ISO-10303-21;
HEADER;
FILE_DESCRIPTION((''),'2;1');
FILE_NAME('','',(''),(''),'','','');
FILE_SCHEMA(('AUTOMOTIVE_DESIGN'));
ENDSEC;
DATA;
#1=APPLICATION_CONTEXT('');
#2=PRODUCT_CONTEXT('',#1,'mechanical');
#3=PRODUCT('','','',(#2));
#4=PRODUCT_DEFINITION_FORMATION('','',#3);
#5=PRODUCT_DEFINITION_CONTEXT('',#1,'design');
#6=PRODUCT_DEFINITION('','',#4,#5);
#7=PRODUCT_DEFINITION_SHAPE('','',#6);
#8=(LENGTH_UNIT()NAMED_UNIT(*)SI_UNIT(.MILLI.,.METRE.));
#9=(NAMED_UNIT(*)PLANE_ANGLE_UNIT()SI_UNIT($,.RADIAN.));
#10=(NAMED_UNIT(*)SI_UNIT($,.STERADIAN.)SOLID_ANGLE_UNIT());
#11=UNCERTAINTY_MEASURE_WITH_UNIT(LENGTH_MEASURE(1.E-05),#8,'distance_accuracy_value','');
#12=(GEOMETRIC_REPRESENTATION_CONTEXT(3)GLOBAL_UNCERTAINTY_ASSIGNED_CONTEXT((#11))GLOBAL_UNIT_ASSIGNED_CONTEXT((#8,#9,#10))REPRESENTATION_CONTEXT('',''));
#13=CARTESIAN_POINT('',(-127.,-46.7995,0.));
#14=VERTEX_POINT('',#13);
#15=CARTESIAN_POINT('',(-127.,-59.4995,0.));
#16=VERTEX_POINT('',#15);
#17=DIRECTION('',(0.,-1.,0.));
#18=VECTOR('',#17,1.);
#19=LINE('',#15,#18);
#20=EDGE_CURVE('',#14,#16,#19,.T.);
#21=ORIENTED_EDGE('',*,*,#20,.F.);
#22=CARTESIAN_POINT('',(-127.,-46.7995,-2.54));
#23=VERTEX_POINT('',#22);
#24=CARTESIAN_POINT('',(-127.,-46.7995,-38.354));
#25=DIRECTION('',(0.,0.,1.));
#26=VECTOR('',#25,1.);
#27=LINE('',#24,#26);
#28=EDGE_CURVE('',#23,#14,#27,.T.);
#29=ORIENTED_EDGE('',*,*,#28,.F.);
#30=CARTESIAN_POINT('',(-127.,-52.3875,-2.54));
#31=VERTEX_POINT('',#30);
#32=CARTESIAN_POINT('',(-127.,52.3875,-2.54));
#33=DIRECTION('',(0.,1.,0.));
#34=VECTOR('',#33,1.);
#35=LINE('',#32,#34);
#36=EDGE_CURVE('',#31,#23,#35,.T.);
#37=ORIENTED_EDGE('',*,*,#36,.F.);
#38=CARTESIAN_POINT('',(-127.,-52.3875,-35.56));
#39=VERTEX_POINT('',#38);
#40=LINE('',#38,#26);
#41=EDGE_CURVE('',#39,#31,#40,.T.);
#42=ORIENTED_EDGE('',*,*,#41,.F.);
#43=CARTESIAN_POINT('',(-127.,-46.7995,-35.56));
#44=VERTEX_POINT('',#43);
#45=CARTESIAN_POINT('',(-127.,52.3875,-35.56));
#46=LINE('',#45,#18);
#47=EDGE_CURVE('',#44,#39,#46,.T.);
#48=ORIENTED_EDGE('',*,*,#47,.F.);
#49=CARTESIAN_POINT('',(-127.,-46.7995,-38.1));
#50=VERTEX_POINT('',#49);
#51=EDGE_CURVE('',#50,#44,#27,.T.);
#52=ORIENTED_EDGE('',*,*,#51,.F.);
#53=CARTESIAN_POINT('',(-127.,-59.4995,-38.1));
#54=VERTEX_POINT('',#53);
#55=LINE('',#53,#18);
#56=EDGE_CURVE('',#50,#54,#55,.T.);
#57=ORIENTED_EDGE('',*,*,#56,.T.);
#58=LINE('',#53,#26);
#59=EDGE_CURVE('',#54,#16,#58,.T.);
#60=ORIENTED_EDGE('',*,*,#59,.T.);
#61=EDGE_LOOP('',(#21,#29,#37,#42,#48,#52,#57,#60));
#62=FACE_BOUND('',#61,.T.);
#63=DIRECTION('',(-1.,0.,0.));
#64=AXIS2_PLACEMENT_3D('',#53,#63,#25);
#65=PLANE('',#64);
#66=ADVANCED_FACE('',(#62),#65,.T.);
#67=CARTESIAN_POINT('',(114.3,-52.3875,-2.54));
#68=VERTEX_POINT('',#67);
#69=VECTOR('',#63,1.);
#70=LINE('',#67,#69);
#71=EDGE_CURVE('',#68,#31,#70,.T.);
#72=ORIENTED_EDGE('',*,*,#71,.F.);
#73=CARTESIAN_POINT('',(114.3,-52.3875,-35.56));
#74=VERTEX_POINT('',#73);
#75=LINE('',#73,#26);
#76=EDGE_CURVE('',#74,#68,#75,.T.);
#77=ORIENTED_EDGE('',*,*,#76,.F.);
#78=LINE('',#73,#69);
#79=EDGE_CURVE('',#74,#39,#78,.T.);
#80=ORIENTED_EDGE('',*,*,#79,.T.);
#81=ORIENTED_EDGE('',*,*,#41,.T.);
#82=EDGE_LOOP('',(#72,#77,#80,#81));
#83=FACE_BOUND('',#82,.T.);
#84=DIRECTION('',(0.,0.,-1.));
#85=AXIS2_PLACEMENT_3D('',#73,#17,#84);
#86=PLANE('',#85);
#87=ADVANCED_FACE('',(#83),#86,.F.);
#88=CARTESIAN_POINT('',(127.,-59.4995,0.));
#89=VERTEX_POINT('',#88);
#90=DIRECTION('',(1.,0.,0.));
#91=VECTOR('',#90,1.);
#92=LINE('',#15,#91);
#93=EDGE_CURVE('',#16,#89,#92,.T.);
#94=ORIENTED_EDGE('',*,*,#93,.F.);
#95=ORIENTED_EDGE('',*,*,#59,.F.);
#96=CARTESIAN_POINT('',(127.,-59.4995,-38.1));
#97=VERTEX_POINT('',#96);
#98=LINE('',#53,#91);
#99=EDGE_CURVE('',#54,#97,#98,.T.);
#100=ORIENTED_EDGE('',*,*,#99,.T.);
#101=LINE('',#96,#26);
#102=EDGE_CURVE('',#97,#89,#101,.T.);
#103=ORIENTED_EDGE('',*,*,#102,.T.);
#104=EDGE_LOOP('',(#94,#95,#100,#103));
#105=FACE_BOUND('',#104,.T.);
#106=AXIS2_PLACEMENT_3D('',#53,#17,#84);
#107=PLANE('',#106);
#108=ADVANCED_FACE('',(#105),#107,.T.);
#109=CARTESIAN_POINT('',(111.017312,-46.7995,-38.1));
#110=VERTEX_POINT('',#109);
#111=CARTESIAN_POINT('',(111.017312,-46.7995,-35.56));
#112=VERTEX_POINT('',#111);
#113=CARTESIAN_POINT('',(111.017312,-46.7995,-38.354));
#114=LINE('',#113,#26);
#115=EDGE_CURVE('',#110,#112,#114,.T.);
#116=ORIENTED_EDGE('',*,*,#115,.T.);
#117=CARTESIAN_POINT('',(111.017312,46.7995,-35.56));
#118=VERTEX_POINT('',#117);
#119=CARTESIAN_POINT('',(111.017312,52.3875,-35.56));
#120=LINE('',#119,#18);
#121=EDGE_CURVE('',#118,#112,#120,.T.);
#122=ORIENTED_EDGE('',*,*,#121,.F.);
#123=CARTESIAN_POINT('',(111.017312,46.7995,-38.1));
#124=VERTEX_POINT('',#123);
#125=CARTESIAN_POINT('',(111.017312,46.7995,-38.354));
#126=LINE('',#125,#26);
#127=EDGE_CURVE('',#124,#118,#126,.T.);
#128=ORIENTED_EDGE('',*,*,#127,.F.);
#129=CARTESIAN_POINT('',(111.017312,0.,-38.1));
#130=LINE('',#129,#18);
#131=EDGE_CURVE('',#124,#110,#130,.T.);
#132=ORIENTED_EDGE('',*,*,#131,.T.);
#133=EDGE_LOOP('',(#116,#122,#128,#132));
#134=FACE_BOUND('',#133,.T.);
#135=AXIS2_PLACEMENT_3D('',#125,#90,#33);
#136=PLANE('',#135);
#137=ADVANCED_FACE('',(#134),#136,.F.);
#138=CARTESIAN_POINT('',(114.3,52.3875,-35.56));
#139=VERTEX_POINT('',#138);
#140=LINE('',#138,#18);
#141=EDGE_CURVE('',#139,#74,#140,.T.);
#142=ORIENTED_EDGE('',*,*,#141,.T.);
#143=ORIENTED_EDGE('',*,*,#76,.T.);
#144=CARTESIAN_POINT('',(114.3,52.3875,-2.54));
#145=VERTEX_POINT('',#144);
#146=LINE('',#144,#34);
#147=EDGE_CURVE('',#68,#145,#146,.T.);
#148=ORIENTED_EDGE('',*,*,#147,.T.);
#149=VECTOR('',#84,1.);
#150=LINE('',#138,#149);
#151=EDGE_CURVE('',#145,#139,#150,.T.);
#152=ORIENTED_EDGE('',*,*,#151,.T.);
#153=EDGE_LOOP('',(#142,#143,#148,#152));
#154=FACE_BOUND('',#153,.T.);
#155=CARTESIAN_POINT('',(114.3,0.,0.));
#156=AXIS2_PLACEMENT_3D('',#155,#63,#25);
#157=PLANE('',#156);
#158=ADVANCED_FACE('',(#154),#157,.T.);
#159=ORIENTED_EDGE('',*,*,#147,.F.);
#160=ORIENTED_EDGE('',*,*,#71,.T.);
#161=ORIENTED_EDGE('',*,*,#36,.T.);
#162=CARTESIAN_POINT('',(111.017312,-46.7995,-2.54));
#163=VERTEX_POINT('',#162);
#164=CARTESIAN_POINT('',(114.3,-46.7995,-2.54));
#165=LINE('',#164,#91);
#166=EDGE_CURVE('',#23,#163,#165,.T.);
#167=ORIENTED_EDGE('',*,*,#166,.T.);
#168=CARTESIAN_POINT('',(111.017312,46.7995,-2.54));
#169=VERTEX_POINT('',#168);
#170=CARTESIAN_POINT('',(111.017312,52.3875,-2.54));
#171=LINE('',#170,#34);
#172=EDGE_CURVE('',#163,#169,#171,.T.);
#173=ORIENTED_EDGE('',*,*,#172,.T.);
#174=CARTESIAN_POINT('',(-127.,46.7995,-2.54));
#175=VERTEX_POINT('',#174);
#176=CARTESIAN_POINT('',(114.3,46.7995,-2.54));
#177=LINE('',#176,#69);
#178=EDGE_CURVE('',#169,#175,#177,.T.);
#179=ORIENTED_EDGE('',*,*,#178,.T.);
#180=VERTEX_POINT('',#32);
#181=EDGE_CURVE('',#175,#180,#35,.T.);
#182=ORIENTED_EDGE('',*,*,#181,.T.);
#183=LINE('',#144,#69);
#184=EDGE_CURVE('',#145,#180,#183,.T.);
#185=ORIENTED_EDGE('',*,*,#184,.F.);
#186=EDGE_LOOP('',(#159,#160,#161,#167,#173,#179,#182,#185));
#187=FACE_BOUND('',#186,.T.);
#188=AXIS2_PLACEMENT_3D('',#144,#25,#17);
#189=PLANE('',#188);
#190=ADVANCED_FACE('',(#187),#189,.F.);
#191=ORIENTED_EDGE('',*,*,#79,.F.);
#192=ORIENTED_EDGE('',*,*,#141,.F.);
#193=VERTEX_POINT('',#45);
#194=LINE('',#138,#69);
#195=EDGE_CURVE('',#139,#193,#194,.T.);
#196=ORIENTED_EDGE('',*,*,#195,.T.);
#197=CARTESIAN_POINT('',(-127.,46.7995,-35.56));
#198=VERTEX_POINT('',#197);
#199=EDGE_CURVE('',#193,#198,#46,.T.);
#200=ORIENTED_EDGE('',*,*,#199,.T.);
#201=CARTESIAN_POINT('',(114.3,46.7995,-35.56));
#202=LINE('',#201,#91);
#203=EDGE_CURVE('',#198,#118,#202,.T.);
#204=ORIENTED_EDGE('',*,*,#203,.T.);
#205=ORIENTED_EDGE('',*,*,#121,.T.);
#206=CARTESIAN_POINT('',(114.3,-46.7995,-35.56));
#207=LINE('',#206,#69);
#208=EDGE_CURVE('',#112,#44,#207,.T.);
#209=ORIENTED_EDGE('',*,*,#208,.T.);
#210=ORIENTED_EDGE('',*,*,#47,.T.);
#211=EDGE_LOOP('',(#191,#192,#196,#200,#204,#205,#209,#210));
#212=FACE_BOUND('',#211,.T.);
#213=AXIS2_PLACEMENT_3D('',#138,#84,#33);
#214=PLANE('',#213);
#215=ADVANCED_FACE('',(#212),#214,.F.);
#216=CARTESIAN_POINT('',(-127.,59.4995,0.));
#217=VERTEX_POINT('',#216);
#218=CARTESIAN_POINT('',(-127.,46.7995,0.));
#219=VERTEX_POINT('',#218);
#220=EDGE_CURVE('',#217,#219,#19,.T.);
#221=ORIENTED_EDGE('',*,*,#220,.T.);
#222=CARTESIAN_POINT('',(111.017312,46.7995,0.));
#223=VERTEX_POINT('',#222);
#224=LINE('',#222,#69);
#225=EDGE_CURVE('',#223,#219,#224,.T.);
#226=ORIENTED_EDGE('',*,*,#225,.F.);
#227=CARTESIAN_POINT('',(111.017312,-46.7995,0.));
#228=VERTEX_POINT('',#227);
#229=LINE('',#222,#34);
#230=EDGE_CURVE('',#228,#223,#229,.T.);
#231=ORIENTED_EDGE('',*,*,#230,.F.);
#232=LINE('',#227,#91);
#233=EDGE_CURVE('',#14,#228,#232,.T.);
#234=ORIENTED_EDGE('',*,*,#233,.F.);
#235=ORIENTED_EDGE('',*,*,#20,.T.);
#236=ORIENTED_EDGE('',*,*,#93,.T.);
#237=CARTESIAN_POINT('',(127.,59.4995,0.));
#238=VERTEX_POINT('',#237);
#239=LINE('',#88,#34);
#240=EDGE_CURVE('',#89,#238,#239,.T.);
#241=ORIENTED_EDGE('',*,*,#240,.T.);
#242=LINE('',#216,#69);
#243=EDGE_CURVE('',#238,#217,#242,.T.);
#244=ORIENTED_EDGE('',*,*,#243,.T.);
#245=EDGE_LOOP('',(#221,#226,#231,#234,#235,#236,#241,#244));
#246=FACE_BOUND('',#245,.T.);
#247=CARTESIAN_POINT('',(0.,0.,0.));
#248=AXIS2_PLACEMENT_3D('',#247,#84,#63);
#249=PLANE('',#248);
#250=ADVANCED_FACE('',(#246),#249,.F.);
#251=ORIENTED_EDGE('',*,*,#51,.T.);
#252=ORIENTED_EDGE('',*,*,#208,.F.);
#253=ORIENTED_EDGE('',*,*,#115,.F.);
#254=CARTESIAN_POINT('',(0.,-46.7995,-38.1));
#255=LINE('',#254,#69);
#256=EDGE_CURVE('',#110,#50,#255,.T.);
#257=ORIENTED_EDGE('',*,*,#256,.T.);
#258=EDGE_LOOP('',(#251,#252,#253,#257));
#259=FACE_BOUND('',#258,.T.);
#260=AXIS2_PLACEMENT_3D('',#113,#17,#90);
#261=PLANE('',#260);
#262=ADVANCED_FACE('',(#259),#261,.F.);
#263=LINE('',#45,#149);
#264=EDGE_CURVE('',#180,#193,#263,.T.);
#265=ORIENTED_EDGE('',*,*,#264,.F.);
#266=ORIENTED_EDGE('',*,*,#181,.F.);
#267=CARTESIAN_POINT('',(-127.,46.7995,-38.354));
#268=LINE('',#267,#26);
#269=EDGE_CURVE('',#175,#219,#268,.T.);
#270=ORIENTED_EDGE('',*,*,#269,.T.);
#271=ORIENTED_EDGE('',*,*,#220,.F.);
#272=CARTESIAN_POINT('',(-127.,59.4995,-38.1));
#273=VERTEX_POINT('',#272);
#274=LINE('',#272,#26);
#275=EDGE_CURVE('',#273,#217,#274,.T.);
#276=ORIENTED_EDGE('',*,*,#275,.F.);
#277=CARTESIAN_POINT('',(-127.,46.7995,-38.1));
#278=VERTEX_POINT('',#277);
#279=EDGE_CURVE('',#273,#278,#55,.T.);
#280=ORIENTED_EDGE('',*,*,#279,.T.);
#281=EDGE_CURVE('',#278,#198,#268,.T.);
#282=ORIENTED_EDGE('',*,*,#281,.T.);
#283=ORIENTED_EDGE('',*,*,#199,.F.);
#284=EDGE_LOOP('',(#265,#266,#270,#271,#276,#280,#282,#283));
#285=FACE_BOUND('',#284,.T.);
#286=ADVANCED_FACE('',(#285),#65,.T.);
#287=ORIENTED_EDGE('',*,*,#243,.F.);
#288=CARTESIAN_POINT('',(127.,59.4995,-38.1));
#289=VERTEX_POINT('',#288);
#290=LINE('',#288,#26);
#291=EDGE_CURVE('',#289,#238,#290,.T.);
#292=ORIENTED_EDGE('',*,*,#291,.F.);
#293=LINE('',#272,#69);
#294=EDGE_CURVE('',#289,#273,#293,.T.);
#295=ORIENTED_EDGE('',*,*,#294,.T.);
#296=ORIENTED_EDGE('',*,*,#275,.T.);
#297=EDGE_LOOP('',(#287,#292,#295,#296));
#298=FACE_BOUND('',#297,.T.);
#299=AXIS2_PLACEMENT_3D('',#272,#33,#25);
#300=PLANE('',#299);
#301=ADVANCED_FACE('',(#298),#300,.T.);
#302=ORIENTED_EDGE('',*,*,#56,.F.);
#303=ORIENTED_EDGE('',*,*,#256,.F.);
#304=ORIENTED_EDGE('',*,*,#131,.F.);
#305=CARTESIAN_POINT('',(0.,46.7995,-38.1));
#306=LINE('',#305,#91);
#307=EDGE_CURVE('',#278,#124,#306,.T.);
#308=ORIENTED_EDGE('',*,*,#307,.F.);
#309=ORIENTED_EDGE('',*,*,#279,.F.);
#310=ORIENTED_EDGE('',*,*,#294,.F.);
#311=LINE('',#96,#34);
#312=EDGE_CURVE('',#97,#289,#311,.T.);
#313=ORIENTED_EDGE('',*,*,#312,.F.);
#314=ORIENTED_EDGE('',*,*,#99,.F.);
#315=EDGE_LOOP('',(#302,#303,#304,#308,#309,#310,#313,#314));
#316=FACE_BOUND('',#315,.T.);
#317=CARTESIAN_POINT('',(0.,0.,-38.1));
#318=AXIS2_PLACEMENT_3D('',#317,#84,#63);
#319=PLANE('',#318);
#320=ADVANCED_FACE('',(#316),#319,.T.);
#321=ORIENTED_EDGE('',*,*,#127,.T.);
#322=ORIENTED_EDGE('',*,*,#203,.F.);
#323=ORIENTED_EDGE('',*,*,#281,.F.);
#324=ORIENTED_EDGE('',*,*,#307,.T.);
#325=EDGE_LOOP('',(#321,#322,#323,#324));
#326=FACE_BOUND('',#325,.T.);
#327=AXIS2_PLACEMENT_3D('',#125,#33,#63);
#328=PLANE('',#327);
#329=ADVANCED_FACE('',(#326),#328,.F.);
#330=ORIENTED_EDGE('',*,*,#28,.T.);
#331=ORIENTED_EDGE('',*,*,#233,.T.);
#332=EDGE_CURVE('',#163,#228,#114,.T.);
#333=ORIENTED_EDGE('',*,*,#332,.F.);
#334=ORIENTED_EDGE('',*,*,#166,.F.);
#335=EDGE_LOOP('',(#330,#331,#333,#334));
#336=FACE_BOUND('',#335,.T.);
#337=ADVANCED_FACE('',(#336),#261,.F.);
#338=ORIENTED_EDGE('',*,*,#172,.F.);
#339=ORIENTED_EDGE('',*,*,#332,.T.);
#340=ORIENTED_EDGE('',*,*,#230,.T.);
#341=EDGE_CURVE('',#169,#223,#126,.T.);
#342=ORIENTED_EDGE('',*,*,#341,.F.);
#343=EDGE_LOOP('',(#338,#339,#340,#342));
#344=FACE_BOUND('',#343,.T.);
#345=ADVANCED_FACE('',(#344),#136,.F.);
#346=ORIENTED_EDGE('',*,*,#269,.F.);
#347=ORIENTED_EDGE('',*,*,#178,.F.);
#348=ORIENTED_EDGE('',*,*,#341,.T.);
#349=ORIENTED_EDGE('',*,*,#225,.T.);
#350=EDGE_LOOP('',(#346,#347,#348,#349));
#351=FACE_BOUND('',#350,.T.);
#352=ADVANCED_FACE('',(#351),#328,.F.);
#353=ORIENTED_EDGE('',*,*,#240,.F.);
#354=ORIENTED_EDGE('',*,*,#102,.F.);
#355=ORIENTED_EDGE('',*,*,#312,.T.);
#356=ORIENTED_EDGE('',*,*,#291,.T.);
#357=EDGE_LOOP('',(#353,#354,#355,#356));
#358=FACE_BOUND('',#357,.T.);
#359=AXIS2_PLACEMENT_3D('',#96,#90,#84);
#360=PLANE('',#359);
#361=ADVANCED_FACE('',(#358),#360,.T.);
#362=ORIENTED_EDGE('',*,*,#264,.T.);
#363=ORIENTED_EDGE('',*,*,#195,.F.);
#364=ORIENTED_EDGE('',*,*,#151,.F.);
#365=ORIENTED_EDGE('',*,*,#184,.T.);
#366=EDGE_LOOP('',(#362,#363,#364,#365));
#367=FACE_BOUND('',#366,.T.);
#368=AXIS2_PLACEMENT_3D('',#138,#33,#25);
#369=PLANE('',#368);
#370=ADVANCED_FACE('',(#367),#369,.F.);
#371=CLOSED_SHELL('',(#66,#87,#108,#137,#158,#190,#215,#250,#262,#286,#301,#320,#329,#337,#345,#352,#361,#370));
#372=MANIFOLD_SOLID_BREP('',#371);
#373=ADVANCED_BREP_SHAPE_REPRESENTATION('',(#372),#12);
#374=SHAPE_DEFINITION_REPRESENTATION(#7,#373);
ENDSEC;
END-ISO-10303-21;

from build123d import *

# Parameters (mm, degrees)
SKETCH1_W           = 254
SKETCH1_H           = 118.999
BOSS_EXTRUDE1_DEPTH = 38.1
SKETCH2_W           = 33.02
SKETCH2_H           = 104.775
CUT_EXTRUDE1_DEPTH  = 241.3
SKETCH5_W           = 238.017311759
SKETCH5_H           = 93.599
CUT_EXTRUDE2_DEPTH  = 38.354


with BuildPart() as part:
    # Sketch1 → Boss-Extrude1 (new body)
    with BuildSketch(Plane.XY):
        Rectangle(SKETCH1_W, SKETCH1_H)
    extrude(amount=-BOSS_EXTRUDE1_DEPTH)

    # Sketch2 → Cut-Extrude1 (cut)
    with BuildSketch(Plane.ZY.offset(127)):
        with Locations((-19.05, 0)):
            Rectangle(SKETCH2_W, SKETCH2_H)
    extrude(amount=-CUT_EXTRUDE1_DEPTH, mode=Mode.SUBTRACT)

    # Sketch5 → Cut-Extrude2 (cut)
    with BuildSketch(Plane.XY):
        with Locations((-7.991344121, 0)):
            Rectangle(SKETCH5_W, SKETCH5_H)
    extrude(amount=-CUT_EXTRUDE2_DEPTH, mode=Mode.SUBTRACT)


solid = part.part
